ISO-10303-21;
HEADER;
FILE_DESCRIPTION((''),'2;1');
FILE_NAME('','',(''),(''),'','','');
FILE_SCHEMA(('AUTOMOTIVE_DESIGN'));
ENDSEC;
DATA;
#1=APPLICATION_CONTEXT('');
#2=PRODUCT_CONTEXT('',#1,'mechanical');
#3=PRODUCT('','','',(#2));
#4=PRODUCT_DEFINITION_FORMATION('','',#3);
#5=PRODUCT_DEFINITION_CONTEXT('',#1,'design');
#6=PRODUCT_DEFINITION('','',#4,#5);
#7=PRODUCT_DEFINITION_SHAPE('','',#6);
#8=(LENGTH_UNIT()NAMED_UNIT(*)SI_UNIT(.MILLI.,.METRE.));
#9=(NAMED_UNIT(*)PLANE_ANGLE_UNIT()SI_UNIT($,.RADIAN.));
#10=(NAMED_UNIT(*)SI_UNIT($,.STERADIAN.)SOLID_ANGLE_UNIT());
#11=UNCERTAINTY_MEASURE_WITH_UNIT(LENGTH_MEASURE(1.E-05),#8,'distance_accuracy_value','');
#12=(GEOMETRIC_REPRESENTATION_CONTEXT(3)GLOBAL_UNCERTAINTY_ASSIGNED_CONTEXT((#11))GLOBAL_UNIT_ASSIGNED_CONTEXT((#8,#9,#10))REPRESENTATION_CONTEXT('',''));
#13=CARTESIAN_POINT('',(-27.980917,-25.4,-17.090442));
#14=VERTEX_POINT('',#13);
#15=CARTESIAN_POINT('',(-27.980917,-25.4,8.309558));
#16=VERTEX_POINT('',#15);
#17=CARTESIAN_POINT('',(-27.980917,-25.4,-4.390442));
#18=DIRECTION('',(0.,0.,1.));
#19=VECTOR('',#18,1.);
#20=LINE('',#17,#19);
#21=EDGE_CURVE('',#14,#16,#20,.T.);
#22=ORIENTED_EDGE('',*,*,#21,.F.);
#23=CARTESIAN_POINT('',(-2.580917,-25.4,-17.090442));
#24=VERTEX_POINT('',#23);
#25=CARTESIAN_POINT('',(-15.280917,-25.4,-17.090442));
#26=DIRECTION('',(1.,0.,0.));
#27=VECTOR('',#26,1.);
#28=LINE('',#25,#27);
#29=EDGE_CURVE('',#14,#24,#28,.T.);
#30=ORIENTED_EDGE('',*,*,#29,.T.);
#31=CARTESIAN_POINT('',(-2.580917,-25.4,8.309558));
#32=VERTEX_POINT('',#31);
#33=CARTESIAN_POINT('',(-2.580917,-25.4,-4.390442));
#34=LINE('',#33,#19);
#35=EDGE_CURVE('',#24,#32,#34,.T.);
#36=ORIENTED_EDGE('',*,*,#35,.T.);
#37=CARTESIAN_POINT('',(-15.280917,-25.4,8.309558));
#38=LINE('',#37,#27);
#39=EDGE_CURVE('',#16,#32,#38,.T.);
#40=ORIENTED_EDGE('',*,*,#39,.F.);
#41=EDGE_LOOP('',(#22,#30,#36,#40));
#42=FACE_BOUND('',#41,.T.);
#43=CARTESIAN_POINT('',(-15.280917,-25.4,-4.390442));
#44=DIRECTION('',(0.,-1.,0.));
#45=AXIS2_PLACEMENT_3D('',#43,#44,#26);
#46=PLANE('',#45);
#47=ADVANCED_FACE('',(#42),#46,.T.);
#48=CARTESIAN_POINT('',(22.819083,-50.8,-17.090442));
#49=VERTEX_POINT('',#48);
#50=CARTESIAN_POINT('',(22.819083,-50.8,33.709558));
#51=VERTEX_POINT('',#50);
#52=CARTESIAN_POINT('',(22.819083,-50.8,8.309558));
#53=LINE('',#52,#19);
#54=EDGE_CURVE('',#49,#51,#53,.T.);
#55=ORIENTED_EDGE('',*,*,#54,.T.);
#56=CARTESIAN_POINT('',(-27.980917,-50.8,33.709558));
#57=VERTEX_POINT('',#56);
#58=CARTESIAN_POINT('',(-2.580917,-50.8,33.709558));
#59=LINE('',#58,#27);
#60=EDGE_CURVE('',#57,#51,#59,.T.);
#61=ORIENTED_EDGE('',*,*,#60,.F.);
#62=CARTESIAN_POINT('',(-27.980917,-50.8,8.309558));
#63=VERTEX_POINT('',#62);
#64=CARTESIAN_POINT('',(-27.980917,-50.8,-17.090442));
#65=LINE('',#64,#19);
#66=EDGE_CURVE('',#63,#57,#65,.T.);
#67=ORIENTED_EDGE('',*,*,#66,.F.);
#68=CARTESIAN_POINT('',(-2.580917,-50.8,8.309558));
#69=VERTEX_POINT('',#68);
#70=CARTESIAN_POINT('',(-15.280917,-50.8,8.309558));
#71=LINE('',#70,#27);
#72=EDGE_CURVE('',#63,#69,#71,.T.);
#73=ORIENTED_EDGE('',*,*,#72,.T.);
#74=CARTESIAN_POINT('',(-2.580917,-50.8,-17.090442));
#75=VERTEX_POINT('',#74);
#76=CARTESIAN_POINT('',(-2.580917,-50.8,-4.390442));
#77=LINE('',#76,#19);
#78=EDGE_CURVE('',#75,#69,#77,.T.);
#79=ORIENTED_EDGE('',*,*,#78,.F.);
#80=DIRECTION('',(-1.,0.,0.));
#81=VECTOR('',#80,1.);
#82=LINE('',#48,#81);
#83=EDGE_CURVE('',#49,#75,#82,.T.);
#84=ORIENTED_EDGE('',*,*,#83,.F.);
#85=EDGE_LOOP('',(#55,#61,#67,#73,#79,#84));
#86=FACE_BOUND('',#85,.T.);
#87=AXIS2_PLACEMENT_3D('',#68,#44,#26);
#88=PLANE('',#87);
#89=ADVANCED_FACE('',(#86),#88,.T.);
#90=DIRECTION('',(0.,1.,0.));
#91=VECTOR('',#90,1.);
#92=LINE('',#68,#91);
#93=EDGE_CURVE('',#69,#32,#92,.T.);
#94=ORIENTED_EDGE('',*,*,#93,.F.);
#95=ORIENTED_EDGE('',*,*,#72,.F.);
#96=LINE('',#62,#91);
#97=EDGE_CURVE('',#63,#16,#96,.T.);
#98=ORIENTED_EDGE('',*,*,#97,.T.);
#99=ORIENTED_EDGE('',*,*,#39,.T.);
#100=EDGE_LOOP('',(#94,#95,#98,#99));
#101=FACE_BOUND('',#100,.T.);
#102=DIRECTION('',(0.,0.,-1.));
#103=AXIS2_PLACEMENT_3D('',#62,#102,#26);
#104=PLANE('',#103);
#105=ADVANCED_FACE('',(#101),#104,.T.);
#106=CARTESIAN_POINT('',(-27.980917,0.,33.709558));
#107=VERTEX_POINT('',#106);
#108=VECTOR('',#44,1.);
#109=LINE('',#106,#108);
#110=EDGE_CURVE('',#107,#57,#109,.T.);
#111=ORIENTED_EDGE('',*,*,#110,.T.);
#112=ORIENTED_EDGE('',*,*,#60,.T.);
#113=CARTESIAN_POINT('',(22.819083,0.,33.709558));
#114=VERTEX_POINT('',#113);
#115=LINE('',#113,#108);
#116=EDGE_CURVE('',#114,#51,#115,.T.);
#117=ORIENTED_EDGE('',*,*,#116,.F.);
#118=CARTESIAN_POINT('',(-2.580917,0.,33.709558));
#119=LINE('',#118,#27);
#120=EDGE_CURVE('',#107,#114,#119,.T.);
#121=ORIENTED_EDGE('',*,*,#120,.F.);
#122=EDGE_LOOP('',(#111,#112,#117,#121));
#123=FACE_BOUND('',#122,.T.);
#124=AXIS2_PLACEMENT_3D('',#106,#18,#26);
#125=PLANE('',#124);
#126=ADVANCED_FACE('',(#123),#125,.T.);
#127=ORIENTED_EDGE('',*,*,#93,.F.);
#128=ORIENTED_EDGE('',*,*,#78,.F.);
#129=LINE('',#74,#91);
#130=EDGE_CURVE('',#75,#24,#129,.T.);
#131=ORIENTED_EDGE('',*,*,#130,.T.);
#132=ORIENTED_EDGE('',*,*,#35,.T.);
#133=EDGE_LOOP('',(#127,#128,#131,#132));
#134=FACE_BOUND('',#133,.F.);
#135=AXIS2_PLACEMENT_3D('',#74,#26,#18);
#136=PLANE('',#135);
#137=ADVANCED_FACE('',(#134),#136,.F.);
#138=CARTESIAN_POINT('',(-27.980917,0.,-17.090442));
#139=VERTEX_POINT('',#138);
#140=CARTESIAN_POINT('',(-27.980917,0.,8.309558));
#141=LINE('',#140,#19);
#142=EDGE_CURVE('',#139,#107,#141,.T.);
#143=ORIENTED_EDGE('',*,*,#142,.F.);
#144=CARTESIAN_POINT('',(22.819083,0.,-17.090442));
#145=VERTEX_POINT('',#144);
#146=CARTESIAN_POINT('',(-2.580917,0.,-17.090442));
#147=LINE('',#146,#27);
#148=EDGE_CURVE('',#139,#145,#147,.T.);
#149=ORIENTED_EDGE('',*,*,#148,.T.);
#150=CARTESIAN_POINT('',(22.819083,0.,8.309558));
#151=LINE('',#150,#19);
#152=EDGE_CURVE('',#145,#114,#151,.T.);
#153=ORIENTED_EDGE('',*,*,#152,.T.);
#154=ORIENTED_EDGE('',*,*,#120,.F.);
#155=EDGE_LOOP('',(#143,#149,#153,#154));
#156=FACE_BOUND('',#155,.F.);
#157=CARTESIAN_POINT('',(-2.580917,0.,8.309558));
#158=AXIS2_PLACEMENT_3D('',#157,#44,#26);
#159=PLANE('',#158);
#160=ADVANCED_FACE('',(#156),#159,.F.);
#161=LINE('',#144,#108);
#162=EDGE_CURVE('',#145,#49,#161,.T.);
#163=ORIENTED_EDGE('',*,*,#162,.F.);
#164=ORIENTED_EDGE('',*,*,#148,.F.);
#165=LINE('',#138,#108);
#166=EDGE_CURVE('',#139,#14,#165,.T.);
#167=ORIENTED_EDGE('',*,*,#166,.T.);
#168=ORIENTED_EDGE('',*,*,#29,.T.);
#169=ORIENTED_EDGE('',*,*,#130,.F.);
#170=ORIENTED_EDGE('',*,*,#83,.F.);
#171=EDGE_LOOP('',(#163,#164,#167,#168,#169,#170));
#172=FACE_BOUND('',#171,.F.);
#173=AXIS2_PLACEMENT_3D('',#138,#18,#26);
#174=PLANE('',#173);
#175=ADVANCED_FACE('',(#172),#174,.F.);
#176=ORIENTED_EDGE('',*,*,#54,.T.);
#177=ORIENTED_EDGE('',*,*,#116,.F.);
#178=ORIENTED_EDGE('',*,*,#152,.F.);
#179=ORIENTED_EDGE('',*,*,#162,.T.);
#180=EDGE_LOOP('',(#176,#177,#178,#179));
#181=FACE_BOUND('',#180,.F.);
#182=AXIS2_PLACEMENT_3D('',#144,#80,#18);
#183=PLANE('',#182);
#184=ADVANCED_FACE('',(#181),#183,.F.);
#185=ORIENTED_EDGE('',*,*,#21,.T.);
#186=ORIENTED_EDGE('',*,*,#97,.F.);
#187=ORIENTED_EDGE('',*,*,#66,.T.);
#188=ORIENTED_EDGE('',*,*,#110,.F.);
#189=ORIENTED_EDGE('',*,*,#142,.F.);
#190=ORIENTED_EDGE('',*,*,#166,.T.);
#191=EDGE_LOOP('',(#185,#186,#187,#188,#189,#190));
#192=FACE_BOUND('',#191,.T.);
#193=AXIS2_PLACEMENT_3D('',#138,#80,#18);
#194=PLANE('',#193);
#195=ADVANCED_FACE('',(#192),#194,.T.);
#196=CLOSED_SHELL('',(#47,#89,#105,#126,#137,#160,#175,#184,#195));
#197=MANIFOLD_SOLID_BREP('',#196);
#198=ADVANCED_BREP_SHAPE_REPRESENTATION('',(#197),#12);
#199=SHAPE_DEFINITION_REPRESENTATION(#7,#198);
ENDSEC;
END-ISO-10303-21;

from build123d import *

# Parameters (mm, degrees)
F0_W     = 50.8
F0_H     = 50.8
F1_DEPTH = 50.8
F2_W     = 25.4
F2_H     = 25.4
F3_DEPTH = 25.4
F4_DEPTH = 25.4


with BuildPart() as f1:
    # F0 (on Front) → F1 (new body)
    with BuildSketch(Plane.XZ):
        with Locations((-2.580917, 8.309558)):
            Rectangle(F0_W, F0_H)
    extrude(amount=F1_DEPTH)

    # F2 (on face) → F3 (cut)
    with BuildSketch(Plane.XZ.offset(50.8)):
        with Locations((-15.280917, -4.390442)):
            Rectangle(F2_W, F2_H)
    extrude(amount=F3_DEPTH, mode=Mode.SUBTRACT)

    # F2 (on face) → F4 (cut)
    with BuildSketch(Plane.XZ.offset(50.8)):
        with Locations((-15.280917, -4.390442)):
            Rectangle(F2_W, F2_H)
    extrude(amount=-F4_DEPTH, mode=Mode.SUBTRACT)


solid = f1.part
